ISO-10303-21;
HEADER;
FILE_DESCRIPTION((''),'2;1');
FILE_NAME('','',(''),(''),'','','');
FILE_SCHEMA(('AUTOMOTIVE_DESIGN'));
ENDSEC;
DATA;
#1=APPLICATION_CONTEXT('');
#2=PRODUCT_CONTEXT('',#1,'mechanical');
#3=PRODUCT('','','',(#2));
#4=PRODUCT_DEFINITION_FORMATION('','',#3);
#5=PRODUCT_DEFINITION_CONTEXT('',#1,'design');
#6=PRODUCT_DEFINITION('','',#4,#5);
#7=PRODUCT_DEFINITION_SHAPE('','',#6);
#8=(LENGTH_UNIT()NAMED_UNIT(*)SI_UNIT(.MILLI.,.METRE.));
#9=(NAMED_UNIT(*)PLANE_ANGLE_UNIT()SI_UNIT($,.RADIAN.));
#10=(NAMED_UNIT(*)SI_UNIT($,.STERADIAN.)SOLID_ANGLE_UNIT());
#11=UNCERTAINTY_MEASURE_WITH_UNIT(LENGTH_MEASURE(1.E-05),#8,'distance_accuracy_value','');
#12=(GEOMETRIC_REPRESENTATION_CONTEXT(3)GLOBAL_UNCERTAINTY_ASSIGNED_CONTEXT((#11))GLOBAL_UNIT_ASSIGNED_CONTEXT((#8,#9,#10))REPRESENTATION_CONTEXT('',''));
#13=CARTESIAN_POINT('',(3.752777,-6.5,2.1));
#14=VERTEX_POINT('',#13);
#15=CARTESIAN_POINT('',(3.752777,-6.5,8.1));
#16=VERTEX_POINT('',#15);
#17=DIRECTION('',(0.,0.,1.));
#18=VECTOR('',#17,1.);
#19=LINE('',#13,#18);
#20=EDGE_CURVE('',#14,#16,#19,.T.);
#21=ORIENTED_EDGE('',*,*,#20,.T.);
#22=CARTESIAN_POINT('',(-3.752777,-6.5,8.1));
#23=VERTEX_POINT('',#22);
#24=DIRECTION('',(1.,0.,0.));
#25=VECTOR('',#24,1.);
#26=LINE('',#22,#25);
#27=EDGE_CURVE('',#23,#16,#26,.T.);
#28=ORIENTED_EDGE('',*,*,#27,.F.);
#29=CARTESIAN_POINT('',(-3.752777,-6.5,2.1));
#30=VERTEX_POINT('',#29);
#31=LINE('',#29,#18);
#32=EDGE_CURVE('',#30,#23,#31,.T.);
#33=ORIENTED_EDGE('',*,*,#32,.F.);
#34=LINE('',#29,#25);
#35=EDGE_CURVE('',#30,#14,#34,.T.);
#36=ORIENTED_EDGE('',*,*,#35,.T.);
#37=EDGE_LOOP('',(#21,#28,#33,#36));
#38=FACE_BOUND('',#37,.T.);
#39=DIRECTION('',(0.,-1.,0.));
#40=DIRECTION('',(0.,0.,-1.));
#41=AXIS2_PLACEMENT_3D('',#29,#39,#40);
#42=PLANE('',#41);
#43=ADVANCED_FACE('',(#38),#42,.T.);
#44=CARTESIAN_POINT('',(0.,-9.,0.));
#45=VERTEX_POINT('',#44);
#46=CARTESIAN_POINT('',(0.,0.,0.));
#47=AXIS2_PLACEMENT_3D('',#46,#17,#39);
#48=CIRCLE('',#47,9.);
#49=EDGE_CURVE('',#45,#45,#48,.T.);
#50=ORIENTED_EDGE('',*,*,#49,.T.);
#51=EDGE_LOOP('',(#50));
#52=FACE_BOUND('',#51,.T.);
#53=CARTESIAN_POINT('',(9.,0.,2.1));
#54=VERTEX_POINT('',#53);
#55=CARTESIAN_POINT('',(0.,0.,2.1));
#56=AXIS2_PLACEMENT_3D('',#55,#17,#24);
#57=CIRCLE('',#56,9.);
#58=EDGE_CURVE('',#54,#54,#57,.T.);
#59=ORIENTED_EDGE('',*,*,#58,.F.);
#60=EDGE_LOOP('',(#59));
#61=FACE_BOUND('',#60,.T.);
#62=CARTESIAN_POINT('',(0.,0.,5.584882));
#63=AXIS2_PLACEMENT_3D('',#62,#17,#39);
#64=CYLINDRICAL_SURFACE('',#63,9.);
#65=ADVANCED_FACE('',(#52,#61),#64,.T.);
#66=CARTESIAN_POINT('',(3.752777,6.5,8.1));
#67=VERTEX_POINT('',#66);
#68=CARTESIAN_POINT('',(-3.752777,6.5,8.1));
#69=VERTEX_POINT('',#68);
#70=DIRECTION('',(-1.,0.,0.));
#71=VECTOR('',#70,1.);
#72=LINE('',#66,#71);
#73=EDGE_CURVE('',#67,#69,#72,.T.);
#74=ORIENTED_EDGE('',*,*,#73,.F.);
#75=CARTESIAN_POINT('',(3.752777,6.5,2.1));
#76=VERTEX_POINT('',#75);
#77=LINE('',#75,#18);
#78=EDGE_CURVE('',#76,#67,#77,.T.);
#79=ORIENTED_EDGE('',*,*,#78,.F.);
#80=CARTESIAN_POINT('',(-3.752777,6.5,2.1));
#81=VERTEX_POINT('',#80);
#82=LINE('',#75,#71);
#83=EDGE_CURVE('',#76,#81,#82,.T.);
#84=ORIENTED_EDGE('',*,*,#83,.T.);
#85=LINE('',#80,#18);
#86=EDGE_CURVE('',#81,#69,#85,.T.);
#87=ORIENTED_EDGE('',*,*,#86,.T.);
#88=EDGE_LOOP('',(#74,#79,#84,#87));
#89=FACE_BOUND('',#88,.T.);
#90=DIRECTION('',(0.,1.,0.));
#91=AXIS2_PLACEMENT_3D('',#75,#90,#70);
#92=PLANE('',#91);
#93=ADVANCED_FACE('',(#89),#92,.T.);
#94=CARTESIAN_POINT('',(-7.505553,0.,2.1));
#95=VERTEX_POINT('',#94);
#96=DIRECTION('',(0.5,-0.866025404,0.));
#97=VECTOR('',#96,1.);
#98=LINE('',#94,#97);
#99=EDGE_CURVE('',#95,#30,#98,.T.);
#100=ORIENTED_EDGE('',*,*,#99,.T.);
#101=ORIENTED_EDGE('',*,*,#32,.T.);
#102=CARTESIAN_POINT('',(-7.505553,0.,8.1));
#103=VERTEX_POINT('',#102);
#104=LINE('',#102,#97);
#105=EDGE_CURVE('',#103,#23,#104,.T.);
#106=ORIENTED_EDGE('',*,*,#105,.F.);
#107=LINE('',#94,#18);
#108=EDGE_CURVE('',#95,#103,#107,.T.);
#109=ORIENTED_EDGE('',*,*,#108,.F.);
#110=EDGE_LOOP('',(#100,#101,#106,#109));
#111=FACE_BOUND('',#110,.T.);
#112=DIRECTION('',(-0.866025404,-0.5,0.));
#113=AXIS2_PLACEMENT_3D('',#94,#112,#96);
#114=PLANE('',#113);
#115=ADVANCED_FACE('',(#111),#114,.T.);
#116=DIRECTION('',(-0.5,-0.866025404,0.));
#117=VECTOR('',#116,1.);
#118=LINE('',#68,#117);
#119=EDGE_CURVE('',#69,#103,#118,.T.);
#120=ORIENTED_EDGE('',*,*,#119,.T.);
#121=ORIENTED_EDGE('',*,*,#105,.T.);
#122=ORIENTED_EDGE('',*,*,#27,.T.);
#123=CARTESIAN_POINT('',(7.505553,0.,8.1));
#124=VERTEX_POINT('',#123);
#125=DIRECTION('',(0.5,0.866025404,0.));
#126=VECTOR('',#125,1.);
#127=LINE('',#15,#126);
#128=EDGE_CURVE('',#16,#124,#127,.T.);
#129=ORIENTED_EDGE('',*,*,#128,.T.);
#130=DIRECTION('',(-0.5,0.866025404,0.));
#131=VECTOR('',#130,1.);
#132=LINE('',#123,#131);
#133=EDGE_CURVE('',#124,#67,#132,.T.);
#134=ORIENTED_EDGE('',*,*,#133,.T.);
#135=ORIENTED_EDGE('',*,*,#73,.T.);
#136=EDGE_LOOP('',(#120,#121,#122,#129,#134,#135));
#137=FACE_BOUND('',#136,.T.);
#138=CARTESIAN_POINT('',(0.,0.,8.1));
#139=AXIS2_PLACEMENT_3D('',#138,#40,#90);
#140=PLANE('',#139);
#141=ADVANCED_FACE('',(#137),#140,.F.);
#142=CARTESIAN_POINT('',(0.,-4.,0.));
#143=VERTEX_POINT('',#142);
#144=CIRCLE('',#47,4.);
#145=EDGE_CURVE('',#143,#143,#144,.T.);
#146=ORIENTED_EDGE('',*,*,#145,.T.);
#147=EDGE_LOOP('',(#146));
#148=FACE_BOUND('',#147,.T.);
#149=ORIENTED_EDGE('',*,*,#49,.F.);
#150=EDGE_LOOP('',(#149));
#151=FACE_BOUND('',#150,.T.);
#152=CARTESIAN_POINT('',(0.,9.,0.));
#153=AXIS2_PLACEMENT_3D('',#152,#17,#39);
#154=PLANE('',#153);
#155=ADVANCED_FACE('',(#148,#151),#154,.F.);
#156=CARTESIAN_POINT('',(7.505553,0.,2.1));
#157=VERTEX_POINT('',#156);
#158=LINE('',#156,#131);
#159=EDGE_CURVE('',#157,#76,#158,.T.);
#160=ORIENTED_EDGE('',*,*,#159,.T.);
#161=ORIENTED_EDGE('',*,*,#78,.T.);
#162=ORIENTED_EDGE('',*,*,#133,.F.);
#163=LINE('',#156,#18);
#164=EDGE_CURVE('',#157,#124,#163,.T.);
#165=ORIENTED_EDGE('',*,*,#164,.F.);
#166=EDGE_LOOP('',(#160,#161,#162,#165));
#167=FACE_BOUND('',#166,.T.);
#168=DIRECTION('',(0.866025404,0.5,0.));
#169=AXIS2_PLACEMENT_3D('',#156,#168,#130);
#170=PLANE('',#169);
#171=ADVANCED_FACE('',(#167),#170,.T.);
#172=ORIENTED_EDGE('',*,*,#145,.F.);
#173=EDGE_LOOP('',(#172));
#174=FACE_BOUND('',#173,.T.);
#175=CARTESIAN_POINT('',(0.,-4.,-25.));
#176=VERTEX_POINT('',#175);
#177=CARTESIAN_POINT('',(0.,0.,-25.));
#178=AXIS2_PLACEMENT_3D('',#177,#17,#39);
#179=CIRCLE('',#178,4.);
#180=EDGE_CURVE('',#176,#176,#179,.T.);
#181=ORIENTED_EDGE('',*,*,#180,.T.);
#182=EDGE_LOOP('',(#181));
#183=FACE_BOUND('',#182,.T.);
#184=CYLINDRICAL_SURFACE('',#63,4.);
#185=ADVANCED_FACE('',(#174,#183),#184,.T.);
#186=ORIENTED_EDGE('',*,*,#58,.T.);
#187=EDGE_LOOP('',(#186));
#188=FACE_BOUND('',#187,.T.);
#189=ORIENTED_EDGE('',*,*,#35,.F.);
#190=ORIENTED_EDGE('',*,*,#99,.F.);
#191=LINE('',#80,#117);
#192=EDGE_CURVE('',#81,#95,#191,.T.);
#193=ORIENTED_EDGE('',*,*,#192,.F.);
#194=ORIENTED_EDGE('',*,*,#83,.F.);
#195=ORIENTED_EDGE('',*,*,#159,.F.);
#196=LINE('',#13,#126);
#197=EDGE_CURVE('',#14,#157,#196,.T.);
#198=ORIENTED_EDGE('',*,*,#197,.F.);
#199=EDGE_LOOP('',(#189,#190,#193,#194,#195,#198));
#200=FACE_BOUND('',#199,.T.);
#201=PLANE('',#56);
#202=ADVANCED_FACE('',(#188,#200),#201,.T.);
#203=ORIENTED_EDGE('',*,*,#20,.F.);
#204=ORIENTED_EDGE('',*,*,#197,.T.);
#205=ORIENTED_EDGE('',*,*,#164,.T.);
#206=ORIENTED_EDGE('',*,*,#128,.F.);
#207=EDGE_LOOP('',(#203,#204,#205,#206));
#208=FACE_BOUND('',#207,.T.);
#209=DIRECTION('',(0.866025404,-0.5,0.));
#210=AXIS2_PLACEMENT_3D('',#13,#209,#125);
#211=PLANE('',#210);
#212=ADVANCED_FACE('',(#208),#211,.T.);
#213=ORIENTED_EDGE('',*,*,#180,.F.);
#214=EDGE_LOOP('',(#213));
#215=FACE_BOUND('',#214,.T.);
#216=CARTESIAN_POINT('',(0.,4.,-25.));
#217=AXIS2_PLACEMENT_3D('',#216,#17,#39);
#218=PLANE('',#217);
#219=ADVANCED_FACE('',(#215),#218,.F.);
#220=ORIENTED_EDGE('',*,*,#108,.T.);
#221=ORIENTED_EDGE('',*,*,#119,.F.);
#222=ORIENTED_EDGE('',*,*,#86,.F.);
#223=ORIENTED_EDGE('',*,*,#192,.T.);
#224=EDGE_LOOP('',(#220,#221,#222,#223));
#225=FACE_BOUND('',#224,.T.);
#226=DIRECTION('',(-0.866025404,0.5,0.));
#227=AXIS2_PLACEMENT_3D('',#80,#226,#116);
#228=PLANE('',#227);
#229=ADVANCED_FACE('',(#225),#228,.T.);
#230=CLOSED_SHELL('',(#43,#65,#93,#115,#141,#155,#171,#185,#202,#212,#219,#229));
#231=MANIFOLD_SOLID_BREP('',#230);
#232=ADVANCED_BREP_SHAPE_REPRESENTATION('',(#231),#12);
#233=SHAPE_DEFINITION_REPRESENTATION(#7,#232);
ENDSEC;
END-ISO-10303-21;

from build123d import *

# Parameters (mm, degrees)
SKETCH2_OUTSIDE_W  = 28.352
SKETCH2_OUTSIDE_H  = 28.352
CUT_EXTRUDE1_DEPTH = 6


with BuildPart() as part:
    # Sketch1 → Revolve1 (revolve)
    with BuildSketch(Plane(origin=(0, 0, 0), x_dir=(0, 0, -1), z_dir=(1, 0, 0))):
        Polygon((-8.1, 0), (-8.1, 9), (0, 9), (0, 4), (25, 4), (25, 0), align=None)
    revolve(axis=Axis((0, 0, 5.584882278), (0, 0, -1)))

    # Sketch2 outside → Cut-Extrude1 (cut)
    with BuildSketch(Plane.XY.offset(8.1)):
        Rectangle(SKETCH2_OUTSIDE_W, SKETCH2_OUTSIDE_H)
        Polygon((3.75277675, -6.5), (7.505553499, 0), (3.75277675, 6.5), (-3.75277675, 6.5), (-7.505553499, 0), (-3.75277675, -6.5), align=None, mode=Mode.SUBTRACT)
    extrude(amount=-CUT_EXTRUDE1_DEPTH, mode=Mode.SUBTRACT)


solid = part.part
